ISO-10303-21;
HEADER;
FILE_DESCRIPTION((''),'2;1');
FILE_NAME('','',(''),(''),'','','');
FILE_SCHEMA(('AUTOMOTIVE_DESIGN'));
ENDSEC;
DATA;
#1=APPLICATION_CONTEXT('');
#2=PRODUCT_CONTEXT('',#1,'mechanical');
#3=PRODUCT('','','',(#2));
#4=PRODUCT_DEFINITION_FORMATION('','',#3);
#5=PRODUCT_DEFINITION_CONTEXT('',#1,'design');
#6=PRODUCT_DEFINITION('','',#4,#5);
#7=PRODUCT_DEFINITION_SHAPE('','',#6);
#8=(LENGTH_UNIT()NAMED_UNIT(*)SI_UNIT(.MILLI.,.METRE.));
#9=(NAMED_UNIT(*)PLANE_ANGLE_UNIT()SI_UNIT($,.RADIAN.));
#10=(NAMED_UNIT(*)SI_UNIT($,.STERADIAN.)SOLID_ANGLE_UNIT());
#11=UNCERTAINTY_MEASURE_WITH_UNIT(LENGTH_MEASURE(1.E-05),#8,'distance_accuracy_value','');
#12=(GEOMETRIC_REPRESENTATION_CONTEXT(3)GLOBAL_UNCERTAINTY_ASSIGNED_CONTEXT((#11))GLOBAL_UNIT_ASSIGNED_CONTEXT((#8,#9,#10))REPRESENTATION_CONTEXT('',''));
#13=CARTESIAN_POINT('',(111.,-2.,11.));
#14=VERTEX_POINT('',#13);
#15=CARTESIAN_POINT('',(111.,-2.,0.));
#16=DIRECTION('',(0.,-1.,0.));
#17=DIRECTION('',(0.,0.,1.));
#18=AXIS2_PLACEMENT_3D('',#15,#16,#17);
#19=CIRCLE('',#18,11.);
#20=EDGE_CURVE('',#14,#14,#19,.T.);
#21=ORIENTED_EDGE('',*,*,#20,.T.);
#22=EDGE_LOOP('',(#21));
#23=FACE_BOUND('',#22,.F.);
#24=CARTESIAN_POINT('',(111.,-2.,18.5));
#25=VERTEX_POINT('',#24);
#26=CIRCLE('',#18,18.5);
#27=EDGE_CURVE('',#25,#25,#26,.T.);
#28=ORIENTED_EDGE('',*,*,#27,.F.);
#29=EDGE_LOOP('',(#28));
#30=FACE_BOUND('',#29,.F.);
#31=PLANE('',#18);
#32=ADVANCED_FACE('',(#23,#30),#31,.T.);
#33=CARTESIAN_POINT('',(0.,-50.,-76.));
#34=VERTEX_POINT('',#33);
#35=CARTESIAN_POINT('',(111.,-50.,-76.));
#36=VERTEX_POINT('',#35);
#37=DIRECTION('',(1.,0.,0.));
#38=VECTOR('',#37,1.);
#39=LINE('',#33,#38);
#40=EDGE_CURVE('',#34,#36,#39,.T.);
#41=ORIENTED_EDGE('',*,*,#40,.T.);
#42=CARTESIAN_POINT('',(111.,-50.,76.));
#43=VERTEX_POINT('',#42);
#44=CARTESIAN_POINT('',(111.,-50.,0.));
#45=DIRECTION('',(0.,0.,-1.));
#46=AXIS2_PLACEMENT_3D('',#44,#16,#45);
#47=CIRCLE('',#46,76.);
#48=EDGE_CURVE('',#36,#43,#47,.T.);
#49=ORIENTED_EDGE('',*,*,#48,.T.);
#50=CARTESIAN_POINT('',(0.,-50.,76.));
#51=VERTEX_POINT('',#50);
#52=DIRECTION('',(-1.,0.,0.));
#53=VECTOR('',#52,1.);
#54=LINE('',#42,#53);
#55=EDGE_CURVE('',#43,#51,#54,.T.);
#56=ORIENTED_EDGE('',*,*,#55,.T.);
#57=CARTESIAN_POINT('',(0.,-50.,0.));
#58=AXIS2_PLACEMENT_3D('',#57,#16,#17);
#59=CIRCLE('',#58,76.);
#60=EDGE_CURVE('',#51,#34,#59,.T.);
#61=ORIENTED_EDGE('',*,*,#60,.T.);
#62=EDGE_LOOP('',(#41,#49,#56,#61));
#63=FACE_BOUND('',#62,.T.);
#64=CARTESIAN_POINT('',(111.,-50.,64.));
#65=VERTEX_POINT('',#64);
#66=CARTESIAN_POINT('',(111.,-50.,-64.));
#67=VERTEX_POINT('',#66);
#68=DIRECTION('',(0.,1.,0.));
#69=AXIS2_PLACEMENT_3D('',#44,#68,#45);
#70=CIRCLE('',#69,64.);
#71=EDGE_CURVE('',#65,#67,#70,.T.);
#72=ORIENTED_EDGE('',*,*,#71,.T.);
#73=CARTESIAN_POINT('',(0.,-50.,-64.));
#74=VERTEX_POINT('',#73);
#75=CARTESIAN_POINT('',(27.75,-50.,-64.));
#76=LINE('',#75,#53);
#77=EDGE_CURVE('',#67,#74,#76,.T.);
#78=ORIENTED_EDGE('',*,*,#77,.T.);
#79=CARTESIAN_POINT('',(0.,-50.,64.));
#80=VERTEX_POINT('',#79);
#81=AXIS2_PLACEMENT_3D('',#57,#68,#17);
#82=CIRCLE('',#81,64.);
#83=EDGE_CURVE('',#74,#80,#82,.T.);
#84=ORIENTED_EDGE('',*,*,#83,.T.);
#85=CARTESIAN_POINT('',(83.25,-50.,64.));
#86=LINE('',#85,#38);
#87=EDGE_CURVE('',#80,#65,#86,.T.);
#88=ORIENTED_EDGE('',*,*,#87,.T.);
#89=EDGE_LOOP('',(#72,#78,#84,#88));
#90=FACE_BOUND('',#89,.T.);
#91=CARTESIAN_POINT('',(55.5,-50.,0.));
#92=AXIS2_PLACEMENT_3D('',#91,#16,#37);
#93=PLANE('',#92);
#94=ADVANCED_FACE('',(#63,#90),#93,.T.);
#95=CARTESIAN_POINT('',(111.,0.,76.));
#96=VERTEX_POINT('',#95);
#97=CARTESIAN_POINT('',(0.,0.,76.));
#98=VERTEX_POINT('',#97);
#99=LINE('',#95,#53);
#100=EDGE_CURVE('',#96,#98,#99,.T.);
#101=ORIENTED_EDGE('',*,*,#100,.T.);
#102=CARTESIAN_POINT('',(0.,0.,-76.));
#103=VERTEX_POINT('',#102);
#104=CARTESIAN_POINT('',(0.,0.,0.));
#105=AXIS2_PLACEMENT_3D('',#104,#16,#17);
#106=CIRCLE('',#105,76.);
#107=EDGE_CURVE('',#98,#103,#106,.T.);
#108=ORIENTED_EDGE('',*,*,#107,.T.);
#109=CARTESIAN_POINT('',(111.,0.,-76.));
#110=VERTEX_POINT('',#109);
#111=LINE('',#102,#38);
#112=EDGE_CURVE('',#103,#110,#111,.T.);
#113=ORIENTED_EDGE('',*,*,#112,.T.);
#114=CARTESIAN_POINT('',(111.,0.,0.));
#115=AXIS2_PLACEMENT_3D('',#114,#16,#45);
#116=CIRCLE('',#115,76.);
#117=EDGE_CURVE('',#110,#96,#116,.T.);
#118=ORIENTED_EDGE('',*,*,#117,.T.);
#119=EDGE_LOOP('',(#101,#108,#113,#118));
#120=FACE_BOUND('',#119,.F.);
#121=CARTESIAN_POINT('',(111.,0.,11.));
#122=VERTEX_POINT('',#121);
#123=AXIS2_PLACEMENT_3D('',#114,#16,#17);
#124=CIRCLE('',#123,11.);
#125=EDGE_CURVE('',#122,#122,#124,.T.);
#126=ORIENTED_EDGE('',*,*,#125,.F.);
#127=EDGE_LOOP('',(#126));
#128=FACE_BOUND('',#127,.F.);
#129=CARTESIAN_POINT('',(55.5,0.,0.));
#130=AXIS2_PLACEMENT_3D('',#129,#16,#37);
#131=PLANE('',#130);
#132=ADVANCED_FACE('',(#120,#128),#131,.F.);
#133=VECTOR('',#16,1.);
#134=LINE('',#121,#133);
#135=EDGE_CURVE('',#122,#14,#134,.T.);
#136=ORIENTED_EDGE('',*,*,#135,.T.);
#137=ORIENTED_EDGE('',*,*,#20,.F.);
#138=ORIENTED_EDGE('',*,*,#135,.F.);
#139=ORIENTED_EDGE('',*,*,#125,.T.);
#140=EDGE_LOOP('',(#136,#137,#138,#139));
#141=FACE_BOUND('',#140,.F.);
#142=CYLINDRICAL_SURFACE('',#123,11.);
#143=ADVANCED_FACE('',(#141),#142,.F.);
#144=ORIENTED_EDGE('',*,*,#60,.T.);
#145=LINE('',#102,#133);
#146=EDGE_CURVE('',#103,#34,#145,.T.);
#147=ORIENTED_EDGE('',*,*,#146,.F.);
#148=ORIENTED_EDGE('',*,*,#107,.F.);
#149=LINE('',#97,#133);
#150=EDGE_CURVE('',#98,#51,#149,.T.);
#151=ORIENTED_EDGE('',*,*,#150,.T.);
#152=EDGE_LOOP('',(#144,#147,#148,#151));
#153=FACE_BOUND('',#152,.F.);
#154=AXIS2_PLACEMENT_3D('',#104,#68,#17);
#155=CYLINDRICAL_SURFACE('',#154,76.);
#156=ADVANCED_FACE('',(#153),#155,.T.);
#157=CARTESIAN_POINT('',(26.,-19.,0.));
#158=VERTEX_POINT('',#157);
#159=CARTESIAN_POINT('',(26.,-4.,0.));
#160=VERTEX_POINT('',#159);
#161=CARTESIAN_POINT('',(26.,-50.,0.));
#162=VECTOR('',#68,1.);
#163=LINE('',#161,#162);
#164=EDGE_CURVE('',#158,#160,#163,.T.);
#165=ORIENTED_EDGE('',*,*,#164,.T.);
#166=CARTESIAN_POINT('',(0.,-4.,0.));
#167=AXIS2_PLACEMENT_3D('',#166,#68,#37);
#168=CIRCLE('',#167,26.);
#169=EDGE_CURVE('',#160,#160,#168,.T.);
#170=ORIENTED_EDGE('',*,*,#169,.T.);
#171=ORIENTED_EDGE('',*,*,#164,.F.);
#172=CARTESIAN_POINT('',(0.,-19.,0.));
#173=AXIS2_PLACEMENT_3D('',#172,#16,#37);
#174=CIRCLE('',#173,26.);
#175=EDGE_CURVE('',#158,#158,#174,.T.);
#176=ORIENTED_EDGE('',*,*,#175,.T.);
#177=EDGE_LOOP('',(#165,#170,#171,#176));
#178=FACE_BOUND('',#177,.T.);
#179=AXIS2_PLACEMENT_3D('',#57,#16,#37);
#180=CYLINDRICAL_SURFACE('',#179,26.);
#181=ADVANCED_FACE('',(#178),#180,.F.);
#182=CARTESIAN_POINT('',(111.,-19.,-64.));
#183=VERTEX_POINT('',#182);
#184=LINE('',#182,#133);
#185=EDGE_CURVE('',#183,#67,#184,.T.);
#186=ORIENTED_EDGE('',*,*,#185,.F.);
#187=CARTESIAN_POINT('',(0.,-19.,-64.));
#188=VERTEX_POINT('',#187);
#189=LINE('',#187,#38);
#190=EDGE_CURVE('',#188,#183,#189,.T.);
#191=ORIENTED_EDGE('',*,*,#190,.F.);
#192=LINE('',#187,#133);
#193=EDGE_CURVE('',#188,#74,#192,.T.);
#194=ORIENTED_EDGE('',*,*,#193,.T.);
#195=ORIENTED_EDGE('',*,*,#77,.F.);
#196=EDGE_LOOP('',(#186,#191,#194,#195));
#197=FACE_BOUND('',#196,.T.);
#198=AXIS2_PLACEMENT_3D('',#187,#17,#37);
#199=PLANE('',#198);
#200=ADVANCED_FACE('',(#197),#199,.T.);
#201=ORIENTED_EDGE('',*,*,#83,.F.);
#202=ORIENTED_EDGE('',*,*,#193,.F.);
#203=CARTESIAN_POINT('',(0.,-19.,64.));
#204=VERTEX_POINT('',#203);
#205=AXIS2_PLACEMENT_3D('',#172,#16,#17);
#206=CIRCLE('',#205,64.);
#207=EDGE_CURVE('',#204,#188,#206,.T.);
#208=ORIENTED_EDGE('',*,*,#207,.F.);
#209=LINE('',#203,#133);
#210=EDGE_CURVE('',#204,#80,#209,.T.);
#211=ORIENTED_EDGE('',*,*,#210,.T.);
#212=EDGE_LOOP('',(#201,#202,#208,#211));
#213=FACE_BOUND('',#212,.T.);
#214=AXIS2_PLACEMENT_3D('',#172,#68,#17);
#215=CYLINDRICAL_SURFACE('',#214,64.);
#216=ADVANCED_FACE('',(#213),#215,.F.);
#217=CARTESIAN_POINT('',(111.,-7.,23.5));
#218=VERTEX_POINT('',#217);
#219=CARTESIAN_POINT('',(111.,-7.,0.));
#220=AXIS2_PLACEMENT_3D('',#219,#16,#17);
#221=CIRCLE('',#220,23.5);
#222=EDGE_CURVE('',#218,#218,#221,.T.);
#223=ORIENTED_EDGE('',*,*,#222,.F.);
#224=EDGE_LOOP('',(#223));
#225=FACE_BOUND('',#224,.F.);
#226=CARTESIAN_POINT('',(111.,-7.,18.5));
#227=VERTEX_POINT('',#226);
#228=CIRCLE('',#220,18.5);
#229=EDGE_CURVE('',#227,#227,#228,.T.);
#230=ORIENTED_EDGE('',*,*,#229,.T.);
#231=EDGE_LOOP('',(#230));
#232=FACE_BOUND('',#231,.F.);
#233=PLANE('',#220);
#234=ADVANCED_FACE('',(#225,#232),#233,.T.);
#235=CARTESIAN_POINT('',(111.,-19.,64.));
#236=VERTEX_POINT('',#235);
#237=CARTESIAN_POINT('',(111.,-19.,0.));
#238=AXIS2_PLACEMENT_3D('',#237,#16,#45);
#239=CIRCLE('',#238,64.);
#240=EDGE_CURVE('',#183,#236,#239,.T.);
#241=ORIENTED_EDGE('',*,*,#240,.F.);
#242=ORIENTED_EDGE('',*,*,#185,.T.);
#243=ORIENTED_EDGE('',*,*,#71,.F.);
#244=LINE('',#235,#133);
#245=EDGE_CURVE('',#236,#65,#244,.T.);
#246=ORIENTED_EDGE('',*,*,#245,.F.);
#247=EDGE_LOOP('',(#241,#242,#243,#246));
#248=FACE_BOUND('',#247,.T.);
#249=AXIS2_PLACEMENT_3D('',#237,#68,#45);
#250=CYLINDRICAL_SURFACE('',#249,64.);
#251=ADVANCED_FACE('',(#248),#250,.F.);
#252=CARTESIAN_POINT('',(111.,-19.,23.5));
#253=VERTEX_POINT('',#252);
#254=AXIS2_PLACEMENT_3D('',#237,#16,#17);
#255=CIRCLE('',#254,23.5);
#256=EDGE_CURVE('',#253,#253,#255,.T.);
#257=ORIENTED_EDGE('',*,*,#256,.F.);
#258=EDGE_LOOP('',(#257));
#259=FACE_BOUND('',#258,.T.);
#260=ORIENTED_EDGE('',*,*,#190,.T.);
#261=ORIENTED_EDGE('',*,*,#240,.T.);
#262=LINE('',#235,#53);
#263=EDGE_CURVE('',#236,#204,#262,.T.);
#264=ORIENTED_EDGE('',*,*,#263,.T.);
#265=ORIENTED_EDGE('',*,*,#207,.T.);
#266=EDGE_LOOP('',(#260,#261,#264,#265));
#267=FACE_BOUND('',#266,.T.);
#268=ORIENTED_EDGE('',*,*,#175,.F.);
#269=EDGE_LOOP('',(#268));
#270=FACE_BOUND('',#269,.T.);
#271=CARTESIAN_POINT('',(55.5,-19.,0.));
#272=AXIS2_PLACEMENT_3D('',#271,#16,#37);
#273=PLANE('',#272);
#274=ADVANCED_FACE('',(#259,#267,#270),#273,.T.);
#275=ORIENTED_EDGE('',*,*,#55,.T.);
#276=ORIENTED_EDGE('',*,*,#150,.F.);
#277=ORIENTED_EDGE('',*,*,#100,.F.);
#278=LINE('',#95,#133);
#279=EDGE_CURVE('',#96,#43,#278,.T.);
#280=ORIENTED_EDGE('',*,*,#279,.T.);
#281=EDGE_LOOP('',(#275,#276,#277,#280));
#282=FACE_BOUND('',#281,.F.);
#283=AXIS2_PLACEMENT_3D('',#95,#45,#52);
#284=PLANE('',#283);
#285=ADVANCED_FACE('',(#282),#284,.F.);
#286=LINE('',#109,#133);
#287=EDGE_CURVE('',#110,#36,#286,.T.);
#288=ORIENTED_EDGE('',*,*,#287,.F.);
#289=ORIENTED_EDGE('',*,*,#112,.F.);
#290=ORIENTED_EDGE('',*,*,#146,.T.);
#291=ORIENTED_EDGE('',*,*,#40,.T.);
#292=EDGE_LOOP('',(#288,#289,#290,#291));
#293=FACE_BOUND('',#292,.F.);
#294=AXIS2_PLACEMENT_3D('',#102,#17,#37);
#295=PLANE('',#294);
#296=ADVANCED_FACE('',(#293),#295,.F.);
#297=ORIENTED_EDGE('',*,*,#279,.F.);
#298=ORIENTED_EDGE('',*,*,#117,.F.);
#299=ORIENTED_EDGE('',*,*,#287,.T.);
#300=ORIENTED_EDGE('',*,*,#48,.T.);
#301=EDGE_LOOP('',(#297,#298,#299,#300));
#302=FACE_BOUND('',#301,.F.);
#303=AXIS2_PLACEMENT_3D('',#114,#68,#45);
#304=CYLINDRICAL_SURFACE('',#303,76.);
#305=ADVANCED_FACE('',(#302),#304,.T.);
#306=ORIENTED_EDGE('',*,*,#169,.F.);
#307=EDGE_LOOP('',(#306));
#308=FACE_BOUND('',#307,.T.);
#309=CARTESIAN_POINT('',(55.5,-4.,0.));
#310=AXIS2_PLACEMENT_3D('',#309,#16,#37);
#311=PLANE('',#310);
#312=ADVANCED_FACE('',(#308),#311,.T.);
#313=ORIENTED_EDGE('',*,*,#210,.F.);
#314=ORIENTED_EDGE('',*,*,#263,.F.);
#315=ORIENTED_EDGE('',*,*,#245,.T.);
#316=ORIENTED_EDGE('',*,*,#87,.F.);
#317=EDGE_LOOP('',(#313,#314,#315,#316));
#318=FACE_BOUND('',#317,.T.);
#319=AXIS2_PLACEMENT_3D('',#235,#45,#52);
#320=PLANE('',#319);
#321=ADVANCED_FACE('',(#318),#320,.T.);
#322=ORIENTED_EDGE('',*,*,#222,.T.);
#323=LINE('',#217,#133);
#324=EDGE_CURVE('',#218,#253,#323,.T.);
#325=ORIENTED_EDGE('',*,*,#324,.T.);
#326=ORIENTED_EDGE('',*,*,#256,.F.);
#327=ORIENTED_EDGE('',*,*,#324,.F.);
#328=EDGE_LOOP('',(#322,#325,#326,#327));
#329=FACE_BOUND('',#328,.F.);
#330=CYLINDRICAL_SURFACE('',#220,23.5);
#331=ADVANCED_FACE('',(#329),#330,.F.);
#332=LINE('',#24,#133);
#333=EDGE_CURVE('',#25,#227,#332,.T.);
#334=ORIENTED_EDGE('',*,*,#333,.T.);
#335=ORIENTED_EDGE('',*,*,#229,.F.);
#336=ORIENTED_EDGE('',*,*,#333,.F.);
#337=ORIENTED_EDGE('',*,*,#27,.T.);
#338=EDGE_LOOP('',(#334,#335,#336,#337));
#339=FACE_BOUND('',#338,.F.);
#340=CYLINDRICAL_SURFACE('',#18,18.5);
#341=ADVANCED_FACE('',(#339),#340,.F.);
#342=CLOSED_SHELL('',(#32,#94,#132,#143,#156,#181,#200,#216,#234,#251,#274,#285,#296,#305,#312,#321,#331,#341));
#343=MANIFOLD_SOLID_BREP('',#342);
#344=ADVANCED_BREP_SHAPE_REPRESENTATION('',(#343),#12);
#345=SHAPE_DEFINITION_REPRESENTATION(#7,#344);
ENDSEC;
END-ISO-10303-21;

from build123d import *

# Parameters (mm, degrees)
F2_DEPTH = 50
F3_R     = 26
F4_DEPTH = 100
F5_DEPTH = 46


with BuildPart() as f2:
    # F0 (on Front) → F2 (new body)
    with BuildSketch(Plane.XZ):
        with BuildLine():
            Line((111, 76), (0, 76))
            ThreePointArc((0, 76), (-76, 0), (0, -76))
            Line((0, -76), (111, -76))
            ThreePointArc((111, -76), (187, 0), (111, 76))
        make_face()
    extrude(amount=F2_DEPTH)

    # F3 (on offset) → F4 (cut)
    with BuildSketch(Plane.XZ.offset(19)):
        with BuildLine():
            Line((111, 64), (0, 64))
            ThreePointArc((0, 64), (-64, 0), (0, -64))
            Line((0, -64), (111, -64))
            ThreePointArc((111, -64), (175, 0), (111, 64))
        make_face()
        Circle(F3_R, mode=Mode.SUBTRACT)
    extrude(amount=F4_DEPTH, mode=Mode.SUBTRACT)

    # F5 (cut): a face of the model
    f5_faces = [f2.faces().sort_by_distance(p)[0] for p in [
        (0, -50, 0),
    ]]
    extrude(f5_faces, amount=-F5_DEPTH, mode=Mode.SUBTRACT)

    # F7 (on offset) → F8 (revolve, cut)
    with BuildSketch(Plane.YZ.offset(111)):
        Polygon((-2, 0), (0, 0), (0, 11), (-2, 11), (-2, 18.5), (-7, 18.5), (-7, 23.5), (-19, 23.5), (-19, 18.5), (-19, 11), (-19, 0), (-7, 0), align=None)
    revolve(axis=Axis((111, -47.1797690988, 0), (0, -1, 0)), mode=Mode.SUBTRACT)


solid = f2.part
